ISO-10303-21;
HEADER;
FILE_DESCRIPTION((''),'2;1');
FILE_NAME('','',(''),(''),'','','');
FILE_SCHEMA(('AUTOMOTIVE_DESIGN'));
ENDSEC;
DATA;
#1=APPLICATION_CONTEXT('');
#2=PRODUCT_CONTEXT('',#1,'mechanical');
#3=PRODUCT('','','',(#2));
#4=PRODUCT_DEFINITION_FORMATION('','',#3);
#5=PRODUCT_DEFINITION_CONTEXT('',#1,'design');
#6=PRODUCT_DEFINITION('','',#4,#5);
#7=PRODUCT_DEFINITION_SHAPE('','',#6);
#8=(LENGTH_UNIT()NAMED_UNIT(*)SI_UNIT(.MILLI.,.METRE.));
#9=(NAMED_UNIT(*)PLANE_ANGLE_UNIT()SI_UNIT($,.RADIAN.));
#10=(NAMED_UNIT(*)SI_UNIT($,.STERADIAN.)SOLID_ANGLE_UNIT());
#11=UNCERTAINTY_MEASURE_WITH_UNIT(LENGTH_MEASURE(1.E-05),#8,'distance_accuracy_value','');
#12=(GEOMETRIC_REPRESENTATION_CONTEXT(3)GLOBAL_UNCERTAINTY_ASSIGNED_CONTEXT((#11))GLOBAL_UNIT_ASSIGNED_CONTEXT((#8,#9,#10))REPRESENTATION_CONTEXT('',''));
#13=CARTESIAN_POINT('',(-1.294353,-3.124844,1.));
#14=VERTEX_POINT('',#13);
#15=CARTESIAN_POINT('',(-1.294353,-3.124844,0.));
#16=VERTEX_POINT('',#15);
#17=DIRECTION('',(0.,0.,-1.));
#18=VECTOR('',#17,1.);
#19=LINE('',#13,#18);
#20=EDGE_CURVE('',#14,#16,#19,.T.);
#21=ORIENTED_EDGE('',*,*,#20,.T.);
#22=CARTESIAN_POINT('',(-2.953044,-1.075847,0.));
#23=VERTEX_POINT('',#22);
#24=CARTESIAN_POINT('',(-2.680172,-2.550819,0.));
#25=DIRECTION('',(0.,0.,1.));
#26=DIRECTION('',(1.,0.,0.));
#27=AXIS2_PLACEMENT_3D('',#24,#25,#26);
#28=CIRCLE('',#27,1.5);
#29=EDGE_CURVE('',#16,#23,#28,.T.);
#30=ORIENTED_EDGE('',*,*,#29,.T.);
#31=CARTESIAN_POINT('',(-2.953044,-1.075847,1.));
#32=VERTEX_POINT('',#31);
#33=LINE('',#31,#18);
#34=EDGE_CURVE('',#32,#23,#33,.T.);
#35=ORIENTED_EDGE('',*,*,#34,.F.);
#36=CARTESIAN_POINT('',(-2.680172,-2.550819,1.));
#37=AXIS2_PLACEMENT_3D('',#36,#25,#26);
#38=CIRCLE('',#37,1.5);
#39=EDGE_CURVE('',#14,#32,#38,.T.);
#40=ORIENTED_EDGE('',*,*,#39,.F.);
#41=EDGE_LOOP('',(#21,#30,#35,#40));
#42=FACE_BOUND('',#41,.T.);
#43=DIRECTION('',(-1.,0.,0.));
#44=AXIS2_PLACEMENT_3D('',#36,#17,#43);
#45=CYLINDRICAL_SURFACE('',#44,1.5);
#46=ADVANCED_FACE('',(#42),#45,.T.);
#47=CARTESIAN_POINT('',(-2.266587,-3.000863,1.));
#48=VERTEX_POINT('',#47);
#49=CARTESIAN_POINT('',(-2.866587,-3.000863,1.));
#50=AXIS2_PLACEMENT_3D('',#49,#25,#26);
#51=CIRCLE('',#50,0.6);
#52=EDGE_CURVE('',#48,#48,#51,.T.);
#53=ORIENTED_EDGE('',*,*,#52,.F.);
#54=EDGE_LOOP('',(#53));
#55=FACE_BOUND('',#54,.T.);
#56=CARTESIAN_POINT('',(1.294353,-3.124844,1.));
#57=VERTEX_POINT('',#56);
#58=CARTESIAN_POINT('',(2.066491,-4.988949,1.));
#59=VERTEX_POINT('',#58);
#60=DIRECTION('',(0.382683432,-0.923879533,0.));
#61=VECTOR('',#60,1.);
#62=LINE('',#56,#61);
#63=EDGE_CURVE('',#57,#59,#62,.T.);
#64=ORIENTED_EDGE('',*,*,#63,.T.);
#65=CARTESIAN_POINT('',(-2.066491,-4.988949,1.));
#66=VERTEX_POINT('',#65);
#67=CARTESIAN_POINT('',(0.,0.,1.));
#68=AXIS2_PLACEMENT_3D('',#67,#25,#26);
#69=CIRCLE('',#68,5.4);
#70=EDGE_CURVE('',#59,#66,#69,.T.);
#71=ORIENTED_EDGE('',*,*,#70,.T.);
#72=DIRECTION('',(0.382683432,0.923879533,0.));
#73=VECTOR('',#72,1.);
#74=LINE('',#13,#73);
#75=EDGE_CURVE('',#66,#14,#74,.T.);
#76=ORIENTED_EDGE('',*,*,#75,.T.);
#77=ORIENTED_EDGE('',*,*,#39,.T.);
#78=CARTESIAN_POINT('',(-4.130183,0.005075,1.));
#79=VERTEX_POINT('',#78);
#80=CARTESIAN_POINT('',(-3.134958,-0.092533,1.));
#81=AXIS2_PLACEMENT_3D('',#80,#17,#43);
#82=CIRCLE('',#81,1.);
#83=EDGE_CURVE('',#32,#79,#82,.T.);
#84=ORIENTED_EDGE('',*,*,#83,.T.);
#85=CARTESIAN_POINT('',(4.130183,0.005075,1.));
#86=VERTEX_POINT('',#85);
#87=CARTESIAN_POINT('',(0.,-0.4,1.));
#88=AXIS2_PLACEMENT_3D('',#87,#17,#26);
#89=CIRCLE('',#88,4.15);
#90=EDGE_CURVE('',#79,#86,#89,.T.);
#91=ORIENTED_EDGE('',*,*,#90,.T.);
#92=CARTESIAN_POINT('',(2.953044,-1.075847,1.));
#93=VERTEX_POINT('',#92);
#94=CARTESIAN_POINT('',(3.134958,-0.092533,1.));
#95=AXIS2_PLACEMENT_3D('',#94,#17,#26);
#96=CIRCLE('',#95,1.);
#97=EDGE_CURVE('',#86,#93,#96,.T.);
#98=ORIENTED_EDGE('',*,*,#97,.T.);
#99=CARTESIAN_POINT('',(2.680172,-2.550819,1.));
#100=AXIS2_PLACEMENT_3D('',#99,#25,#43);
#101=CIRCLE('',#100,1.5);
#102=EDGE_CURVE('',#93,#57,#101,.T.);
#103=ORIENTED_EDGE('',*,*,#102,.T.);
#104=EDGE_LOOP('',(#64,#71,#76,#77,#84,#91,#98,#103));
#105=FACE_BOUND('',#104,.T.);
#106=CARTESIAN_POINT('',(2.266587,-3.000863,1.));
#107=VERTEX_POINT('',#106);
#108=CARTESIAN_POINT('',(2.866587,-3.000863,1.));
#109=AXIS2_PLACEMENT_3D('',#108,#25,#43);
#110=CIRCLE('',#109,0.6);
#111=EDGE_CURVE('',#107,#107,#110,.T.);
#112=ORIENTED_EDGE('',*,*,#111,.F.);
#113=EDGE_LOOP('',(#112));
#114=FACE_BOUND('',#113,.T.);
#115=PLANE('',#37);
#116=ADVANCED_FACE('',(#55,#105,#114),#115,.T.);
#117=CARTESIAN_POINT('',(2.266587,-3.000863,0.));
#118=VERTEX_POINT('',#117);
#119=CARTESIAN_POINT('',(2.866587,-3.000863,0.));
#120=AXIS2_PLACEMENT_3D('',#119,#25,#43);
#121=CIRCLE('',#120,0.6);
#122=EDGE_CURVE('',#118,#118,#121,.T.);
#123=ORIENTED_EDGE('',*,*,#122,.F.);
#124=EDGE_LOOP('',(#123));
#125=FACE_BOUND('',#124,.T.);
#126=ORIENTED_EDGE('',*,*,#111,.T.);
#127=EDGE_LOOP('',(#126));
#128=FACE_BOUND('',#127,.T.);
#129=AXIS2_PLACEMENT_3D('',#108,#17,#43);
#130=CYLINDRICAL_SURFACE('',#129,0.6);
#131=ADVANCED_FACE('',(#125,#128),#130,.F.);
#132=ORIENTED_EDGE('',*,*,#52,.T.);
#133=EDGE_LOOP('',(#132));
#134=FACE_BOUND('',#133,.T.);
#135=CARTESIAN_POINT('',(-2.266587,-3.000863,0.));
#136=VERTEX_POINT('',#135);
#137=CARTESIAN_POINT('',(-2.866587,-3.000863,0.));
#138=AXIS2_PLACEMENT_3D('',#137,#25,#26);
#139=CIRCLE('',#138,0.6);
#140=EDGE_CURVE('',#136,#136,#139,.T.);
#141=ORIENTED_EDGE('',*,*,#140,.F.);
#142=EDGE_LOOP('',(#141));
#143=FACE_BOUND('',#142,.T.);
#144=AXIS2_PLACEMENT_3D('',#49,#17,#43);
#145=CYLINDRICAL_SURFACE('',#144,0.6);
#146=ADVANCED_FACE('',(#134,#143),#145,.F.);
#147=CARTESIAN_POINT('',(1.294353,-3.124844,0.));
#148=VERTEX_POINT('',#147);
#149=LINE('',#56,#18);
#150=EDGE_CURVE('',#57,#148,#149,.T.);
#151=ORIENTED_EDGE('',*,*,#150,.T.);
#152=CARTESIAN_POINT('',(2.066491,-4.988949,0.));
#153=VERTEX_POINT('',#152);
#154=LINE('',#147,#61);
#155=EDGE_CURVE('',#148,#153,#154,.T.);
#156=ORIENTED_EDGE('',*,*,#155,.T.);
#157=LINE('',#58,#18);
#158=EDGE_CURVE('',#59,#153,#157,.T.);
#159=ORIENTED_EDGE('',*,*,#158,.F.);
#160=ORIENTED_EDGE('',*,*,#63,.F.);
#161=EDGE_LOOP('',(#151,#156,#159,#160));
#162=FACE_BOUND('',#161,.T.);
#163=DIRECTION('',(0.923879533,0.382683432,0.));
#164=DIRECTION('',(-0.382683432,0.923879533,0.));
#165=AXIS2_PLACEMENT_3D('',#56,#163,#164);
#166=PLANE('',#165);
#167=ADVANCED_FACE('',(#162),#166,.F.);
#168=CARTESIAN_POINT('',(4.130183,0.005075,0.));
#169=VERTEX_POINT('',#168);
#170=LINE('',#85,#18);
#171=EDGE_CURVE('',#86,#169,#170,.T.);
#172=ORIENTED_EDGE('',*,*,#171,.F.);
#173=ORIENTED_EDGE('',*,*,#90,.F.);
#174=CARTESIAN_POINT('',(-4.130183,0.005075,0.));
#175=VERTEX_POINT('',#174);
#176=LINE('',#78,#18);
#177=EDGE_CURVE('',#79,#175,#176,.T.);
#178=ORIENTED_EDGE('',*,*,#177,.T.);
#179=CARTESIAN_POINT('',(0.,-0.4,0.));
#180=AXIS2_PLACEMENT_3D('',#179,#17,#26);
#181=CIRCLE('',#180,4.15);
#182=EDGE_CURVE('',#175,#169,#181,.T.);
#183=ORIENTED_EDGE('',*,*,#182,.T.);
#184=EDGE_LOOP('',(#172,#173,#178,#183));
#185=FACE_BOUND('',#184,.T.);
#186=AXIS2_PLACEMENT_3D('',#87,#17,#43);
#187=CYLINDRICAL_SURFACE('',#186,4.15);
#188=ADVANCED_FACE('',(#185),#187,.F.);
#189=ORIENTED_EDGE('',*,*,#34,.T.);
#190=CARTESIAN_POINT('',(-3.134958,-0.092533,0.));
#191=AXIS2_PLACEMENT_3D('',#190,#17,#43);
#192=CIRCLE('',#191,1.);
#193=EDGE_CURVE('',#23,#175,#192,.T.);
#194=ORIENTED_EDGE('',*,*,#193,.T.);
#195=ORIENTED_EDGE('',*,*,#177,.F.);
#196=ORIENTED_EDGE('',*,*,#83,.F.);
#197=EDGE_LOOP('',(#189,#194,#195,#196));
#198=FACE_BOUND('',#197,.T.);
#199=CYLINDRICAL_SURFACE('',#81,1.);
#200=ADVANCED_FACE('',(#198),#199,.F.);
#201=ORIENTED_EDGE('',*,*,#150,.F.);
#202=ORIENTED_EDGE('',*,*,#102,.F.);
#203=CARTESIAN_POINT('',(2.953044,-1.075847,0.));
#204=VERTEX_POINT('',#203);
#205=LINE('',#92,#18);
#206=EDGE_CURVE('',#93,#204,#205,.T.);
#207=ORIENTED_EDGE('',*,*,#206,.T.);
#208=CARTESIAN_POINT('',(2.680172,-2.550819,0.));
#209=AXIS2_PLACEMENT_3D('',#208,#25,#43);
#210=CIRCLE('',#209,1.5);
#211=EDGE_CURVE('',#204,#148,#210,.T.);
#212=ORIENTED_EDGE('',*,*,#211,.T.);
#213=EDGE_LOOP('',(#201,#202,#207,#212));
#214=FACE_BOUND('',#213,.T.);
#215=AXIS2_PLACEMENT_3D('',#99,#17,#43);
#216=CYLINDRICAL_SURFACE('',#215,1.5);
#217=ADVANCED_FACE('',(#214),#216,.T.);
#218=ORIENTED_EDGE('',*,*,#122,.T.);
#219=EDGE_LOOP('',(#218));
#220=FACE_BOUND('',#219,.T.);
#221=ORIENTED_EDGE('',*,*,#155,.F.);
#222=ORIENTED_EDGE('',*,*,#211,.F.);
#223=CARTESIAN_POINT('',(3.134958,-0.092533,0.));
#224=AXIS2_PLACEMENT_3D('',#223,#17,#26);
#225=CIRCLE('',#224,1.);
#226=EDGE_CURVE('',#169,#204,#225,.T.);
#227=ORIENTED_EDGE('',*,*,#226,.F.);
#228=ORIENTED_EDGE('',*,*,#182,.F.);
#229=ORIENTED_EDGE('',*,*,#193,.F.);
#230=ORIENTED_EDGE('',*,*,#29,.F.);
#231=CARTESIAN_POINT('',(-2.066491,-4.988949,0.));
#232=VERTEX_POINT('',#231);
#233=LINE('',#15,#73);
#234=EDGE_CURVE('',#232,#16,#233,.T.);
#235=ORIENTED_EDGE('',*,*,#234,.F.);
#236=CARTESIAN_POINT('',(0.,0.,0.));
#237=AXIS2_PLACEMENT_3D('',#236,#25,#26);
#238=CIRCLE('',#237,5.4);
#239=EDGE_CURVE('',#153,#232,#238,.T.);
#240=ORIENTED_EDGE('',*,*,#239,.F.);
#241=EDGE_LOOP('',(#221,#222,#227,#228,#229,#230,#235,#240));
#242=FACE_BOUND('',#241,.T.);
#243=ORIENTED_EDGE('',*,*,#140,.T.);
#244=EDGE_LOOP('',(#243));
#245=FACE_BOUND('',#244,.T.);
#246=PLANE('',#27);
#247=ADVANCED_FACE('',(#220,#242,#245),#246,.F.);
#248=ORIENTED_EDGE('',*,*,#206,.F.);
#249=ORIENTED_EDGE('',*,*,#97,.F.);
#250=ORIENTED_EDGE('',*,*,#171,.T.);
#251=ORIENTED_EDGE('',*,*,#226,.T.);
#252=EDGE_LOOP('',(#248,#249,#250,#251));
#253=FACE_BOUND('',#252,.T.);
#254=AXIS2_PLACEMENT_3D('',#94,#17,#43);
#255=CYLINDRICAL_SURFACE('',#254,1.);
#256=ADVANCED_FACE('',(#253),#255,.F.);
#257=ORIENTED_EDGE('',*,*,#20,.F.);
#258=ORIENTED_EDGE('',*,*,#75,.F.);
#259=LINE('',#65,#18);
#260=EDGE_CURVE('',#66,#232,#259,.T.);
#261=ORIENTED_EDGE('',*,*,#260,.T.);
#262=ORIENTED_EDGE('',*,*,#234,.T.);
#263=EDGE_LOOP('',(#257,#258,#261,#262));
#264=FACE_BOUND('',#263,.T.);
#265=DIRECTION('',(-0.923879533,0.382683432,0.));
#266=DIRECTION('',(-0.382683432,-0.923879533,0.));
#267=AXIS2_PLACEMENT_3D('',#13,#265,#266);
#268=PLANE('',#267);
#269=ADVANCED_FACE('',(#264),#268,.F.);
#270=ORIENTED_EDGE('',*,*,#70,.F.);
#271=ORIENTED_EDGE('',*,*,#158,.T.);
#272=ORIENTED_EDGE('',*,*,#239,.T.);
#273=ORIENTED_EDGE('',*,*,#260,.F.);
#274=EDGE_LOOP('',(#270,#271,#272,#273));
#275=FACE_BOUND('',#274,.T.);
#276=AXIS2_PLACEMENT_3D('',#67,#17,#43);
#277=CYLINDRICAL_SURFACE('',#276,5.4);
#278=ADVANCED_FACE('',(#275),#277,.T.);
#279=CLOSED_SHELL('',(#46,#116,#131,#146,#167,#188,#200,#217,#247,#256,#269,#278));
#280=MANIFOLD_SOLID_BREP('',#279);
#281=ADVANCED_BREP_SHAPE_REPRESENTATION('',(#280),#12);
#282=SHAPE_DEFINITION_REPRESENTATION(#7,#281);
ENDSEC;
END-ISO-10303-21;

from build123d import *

# Parameters (mm, degrees)
SKETCH_1_R        = 0.6
EXTRUDE_886_DEPTH = 1


with BuildPart() as part:
    # 草图1 → Extrude 886 (new body)
    with BuildSketch(Plane.XY):
        with BuildLine():
            Line((-1.294352816, -3.124844122), (-2.066490535, -4.988949476))
            ThreePointArc((-2.066490535, -4.988949476), (0, 5.4), (2.066490535, -4.988949476))
            Line((2.066490535, -4.988949476), (1.294352816, -3.124844122))
            ThreePointArc((1.294352816, -3.124844122), (1.514299096, -1.607028687), (2.95304388, -1.075847449))
            ThreePointArc((2.95304388, -1.075847449), (3.811321469, -0.829101483), (4.130183275, 0.005075442))
            ThreePointArc((4.130183275, 0.005075442), (0, 3.75), (-4.130183275, 0.005075442))
            ThreePointArc((-4.130183275, 0.005075442), (-3.811321469, -0.829101483), (-2.95304388, -1.075847449))
            ThreePointArc((-2.95304388, -1.075847449), (-1.514299096, -1.607028687), (-1.294352816, -3.124844122))
        make_face()
        with Locations((-2.86658662, -3.000863401)):
            Circle(SKETCH_1_R, mode=Mode.SUBTRACT)
        with Locations(Location((2.86658662, -3.000863401, 0), (0, 0, 180))):
            Circle(SKETCH_1_R, mode=Mode.SUBTRACT)
    extrude(amount=EXTRUDE_886_DEPTH)


solid = part.part
